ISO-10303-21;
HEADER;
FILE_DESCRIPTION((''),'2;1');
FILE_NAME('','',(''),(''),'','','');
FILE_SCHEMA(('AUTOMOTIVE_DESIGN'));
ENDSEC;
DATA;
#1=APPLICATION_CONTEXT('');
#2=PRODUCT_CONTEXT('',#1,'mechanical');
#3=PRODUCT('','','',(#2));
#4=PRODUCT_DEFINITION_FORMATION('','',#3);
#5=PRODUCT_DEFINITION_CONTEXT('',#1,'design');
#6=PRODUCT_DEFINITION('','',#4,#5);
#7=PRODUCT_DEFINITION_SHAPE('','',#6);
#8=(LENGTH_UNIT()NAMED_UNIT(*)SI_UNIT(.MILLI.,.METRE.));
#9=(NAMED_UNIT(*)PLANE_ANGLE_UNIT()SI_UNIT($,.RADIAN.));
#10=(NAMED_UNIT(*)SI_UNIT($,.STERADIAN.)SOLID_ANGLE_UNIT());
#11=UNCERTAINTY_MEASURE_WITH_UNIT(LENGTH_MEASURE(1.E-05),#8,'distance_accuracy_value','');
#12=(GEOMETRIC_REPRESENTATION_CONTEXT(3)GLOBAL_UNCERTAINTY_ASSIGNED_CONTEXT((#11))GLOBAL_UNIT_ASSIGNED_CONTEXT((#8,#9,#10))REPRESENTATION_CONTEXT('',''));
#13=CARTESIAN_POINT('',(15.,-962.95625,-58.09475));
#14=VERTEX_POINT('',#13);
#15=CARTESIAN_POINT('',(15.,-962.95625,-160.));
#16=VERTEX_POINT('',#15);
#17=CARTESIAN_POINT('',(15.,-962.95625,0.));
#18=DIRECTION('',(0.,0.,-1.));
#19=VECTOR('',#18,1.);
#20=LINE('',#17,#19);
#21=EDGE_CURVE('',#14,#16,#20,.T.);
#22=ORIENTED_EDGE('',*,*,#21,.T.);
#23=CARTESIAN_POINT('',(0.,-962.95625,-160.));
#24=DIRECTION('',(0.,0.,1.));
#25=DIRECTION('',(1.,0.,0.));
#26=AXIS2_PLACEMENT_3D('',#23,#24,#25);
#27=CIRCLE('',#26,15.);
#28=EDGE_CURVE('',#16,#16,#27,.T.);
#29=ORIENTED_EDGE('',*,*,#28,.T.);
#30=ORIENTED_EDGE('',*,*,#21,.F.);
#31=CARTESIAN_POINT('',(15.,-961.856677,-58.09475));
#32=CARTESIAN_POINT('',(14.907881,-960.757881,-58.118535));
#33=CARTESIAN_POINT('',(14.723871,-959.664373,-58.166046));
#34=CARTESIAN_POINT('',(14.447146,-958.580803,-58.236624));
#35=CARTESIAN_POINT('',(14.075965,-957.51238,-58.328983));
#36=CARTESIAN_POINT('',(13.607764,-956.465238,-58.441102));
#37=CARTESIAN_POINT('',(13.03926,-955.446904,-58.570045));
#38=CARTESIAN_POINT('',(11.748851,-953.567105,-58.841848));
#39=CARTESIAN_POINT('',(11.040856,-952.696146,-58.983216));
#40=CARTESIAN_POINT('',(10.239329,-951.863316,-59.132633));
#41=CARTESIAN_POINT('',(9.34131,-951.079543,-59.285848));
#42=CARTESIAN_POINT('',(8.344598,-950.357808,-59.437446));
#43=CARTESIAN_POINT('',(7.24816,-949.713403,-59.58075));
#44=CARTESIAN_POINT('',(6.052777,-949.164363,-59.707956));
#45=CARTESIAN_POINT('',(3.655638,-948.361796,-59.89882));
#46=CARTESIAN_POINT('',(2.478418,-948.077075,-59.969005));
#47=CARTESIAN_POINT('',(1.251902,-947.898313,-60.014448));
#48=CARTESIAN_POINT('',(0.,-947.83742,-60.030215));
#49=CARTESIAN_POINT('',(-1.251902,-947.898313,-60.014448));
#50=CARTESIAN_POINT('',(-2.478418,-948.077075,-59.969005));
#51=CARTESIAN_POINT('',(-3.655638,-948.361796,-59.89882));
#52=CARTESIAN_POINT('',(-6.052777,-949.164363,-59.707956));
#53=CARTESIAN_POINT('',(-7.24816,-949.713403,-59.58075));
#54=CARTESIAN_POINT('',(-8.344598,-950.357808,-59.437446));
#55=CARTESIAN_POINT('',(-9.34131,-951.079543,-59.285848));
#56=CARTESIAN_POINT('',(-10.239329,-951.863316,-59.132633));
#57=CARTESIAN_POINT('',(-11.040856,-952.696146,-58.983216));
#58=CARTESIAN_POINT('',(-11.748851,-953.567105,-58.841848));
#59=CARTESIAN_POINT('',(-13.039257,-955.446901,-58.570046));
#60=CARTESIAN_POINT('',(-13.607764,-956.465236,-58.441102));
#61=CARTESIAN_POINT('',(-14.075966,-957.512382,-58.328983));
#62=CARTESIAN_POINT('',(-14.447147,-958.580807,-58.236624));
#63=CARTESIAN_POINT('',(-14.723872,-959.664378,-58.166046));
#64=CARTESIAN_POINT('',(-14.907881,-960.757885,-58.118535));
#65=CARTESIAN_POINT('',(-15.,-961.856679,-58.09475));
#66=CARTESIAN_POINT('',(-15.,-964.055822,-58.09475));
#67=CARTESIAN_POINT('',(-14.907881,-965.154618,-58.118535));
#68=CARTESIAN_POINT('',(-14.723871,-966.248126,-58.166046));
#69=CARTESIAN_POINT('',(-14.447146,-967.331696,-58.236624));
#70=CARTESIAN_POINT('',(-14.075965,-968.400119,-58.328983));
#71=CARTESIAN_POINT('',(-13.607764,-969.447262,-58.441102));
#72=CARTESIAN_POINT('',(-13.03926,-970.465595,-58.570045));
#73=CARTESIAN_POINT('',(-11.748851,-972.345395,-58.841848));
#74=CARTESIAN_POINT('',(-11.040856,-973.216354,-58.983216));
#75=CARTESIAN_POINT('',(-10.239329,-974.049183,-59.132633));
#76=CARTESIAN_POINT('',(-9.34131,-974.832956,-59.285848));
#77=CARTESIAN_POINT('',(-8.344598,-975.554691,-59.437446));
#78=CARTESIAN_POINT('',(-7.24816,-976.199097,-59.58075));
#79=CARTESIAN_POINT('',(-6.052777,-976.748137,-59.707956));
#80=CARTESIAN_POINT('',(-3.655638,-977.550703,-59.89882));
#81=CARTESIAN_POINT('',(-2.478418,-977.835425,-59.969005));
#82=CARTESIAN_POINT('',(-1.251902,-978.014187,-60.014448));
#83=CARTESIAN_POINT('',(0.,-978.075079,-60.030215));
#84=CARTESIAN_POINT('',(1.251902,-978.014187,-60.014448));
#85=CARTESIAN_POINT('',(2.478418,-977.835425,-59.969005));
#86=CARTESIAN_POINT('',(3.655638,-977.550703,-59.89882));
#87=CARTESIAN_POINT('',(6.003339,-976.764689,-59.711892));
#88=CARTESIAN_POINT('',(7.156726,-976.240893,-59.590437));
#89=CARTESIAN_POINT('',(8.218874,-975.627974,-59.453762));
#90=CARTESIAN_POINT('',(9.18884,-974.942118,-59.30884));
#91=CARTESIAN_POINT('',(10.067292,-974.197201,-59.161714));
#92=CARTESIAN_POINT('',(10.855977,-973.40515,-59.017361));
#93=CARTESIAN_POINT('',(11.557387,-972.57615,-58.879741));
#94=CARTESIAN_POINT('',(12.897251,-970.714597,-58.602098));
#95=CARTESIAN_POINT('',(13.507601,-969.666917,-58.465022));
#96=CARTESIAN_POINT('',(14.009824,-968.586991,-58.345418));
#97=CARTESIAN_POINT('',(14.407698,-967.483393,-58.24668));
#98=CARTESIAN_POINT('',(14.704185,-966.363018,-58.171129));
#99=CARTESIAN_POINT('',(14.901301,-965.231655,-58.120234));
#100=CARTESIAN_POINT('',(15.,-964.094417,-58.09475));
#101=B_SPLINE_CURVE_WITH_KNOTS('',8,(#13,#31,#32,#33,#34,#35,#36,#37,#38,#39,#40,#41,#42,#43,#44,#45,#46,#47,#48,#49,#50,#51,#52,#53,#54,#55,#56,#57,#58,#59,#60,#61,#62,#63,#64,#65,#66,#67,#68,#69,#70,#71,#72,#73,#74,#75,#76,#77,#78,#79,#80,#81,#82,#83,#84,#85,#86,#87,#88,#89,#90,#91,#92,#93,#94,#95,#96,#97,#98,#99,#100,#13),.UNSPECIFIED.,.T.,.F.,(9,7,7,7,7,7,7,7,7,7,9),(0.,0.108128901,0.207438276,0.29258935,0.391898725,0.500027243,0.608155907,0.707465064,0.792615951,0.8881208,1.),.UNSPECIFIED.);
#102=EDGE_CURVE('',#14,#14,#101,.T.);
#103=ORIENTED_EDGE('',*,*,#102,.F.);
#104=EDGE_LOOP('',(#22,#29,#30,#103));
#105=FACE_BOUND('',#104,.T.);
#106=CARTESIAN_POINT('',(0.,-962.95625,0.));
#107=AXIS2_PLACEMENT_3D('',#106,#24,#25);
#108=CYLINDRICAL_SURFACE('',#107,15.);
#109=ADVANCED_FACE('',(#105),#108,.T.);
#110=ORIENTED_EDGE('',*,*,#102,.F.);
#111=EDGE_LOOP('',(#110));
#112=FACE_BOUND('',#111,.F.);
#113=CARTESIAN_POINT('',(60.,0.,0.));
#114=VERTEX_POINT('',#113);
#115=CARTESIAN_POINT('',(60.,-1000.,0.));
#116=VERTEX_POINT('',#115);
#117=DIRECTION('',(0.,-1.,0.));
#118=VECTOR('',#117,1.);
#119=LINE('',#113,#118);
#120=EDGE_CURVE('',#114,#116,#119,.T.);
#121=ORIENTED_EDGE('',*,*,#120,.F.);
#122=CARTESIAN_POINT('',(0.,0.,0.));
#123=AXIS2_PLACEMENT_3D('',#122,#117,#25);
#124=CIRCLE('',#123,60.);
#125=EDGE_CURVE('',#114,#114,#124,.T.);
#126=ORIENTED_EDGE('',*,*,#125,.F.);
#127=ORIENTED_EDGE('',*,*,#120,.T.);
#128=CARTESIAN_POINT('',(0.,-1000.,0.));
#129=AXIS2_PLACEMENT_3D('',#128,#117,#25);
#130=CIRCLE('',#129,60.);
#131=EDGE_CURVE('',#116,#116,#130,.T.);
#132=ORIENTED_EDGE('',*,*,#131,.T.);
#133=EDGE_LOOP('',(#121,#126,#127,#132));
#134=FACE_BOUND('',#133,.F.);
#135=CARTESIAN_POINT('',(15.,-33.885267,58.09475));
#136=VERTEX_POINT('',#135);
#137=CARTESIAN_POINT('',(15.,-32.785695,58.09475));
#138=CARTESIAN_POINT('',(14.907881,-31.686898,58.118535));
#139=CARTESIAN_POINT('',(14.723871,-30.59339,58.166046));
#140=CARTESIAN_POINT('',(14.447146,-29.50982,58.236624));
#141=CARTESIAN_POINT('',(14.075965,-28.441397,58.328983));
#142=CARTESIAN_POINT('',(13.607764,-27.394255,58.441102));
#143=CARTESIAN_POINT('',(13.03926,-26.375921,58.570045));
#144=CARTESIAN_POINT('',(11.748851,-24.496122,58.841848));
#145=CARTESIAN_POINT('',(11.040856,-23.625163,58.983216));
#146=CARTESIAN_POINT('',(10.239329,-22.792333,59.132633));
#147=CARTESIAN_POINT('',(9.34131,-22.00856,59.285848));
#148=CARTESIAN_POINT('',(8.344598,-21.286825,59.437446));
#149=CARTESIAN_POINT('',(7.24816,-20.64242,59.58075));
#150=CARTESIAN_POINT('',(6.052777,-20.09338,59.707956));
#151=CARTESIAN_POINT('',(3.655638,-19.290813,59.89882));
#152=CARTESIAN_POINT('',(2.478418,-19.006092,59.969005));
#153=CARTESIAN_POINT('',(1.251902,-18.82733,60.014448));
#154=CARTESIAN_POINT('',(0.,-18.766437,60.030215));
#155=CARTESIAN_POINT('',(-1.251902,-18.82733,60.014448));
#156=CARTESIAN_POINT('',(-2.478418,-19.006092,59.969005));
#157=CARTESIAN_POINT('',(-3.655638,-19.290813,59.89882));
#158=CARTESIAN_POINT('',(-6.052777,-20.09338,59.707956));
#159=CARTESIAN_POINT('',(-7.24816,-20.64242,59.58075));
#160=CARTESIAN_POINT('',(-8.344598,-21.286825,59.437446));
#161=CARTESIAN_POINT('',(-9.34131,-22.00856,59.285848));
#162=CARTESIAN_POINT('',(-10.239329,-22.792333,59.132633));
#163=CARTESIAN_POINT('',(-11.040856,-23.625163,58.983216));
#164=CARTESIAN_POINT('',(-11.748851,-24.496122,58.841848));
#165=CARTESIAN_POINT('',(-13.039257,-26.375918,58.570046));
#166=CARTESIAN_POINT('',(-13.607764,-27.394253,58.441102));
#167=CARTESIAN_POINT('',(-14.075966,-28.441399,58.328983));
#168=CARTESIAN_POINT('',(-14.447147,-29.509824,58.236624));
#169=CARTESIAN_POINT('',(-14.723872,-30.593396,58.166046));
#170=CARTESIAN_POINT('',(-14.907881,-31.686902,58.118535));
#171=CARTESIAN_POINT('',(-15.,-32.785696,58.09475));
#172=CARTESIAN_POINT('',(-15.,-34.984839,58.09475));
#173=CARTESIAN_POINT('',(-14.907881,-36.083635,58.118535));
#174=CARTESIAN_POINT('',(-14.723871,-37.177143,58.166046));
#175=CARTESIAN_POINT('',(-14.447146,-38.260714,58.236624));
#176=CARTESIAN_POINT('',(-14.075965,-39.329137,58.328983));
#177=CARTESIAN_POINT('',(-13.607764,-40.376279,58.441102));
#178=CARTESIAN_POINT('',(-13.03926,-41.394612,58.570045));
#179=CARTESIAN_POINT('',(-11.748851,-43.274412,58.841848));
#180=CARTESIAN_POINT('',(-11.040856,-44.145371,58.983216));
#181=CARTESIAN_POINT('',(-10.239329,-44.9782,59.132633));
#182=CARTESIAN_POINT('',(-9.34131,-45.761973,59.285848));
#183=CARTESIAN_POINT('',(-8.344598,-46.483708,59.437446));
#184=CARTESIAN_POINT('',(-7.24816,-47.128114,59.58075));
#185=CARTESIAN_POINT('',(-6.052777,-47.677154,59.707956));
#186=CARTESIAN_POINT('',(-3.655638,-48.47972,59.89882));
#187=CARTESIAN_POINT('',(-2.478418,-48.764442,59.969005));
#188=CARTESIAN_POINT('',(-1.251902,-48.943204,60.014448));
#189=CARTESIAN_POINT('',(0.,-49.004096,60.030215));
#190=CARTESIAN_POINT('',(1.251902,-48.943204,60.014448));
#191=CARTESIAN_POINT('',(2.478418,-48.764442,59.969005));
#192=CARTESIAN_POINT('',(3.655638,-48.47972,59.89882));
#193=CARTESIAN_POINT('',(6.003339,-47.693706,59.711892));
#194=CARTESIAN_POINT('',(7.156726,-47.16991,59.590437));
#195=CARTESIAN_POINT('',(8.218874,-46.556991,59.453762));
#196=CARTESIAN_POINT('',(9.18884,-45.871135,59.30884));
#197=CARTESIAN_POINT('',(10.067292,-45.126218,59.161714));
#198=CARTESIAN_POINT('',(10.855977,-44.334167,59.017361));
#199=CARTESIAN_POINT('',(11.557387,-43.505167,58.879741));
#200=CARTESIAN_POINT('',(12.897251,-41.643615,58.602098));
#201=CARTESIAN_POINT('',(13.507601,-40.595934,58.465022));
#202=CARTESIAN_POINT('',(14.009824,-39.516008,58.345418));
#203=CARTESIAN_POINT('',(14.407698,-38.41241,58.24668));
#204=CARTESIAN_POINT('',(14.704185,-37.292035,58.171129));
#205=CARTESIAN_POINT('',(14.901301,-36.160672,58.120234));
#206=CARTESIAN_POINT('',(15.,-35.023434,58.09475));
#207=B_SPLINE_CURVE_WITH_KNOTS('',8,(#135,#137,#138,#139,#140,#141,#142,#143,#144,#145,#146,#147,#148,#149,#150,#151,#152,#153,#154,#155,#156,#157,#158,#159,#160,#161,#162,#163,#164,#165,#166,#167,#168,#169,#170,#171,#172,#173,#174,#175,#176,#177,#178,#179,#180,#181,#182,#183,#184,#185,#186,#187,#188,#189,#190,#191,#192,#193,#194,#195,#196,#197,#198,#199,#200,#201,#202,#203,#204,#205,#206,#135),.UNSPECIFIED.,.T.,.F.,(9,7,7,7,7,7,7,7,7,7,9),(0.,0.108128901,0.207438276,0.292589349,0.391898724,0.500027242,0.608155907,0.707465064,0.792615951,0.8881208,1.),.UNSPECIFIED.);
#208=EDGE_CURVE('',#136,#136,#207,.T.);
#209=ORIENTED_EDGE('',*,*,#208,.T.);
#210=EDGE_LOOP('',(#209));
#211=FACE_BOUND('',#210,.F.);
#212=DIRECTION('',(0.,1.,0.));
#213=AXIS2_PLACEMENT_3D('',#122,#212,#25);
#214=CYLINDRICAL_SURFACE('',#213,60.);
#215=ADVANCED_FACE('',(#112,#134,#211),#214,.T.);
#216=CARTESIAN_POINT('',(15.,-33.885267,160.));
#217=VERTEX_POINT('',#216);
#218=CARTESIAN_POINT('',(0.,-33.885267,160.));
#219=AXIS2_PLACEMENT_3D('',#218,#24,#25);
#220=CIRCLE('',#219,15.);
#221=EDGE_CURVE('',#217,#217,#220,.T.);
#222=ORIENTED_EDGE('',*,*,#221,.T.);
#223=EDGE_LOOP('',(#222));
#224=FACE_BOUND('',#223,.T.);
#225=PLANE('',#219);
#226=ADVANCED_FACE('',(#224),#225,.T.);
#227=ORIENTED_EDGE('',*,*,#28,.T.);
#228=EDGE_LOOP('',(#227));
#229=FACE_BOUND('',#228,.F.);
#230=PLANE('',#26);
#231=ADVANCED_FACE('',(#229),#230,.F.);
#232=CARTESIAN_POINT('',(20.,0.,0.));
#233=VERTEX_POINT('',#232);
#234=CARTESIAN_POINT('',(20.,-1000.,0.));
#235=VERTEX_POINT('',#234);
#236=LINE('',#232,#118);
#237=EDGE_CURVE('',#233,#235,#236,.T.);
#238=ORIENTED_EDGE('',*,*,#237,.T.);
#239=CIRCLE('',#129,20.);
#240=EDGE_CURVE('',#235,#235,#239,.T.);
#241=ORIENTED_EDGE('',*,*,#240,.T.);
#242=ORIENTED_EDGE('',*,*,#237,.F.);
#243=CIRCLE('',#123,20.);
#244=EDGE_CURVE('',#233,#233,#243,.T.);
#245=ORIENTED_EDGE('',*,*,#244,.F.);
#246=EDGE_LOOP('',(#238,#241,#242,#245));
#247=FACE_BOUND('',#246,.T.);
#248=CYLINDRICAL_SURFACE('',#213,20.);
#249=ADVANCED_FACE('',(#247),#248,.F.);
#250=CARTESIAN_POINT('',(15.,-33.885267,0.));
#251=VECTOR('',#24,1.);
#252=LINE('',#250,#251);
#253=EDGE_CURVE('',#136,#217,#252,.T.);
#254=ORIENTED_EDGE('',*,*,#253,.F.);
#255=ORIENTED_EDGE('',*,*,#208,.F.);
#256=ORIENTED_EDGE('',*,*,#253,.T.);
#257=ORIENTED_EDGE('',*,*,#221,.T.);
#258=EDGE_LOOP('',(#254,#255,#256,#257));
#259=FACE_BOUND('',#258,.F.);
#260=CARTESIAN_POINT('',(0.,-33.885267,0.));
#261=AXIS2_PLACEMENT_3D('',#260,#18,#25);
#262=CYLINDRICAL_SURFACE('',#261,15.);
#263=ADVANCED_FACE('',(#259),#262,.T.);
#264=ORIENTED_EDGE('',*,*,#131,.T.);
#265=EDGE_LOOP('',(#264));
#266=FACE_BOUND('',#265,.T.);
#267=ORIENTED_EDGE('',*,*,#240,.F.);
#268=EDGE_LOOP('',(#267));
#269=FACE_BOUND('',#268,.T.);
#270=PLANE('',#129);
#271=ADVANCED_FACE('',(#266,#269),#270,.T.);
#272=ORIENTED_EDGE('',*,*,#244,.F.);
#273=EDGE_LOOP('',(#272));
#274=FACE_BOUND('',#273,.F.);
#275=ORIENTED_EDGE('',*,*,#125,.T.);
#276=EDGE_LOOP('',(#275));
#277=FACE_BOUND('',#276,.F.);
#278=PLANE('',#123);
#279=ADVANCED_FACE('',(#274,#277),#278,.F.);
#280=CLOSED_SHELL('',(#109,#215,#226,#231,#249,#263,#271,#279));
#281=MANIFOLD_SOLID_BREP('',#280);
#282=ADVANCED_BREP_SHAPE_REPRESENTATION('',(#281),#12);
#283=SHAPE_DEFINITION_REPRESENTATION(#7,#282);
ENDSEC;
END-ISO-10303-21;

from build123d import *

# Parameters (mm, degrees)
F0_R     = 60
F2_DEPTH = 1000
F3_R     = 15
F4_DEPTH = 160
F5_R     = 15
F6_DEPTH = 160
F1_R     = 20
F7_DEPTH = 1000


with BuildPart() as f2:
    # F0 (on Front) → F2 (new body)
    with BuildSketch(Plane.XZ):
        Circle(F0_R)
    extrude(amount=F2_DEPTH)

    # F3 (on Top) → F4 (join)
    with BuildSketch(Plane.XY):
        with Locations((0, -33.885266772)):
            Circle(F3_R)
    extrude(amount=F4_DEPTH)

    # F5 (on Top) → F6 (join)
    with BuildSketch(Plane.XY):
        with Locations((0, -962.9562497139)):
            Circle(F5_R)
    extrude(amount=-F6_DEPTH)

    # F1 (on Front) → F7 (cut)
    with BuildSketch(Plane.XZ):
        Circle(F1_R)
    extrude(amount=F7_DEPTH, mode=Mode.SUBTRACT)


solid = f2.part
